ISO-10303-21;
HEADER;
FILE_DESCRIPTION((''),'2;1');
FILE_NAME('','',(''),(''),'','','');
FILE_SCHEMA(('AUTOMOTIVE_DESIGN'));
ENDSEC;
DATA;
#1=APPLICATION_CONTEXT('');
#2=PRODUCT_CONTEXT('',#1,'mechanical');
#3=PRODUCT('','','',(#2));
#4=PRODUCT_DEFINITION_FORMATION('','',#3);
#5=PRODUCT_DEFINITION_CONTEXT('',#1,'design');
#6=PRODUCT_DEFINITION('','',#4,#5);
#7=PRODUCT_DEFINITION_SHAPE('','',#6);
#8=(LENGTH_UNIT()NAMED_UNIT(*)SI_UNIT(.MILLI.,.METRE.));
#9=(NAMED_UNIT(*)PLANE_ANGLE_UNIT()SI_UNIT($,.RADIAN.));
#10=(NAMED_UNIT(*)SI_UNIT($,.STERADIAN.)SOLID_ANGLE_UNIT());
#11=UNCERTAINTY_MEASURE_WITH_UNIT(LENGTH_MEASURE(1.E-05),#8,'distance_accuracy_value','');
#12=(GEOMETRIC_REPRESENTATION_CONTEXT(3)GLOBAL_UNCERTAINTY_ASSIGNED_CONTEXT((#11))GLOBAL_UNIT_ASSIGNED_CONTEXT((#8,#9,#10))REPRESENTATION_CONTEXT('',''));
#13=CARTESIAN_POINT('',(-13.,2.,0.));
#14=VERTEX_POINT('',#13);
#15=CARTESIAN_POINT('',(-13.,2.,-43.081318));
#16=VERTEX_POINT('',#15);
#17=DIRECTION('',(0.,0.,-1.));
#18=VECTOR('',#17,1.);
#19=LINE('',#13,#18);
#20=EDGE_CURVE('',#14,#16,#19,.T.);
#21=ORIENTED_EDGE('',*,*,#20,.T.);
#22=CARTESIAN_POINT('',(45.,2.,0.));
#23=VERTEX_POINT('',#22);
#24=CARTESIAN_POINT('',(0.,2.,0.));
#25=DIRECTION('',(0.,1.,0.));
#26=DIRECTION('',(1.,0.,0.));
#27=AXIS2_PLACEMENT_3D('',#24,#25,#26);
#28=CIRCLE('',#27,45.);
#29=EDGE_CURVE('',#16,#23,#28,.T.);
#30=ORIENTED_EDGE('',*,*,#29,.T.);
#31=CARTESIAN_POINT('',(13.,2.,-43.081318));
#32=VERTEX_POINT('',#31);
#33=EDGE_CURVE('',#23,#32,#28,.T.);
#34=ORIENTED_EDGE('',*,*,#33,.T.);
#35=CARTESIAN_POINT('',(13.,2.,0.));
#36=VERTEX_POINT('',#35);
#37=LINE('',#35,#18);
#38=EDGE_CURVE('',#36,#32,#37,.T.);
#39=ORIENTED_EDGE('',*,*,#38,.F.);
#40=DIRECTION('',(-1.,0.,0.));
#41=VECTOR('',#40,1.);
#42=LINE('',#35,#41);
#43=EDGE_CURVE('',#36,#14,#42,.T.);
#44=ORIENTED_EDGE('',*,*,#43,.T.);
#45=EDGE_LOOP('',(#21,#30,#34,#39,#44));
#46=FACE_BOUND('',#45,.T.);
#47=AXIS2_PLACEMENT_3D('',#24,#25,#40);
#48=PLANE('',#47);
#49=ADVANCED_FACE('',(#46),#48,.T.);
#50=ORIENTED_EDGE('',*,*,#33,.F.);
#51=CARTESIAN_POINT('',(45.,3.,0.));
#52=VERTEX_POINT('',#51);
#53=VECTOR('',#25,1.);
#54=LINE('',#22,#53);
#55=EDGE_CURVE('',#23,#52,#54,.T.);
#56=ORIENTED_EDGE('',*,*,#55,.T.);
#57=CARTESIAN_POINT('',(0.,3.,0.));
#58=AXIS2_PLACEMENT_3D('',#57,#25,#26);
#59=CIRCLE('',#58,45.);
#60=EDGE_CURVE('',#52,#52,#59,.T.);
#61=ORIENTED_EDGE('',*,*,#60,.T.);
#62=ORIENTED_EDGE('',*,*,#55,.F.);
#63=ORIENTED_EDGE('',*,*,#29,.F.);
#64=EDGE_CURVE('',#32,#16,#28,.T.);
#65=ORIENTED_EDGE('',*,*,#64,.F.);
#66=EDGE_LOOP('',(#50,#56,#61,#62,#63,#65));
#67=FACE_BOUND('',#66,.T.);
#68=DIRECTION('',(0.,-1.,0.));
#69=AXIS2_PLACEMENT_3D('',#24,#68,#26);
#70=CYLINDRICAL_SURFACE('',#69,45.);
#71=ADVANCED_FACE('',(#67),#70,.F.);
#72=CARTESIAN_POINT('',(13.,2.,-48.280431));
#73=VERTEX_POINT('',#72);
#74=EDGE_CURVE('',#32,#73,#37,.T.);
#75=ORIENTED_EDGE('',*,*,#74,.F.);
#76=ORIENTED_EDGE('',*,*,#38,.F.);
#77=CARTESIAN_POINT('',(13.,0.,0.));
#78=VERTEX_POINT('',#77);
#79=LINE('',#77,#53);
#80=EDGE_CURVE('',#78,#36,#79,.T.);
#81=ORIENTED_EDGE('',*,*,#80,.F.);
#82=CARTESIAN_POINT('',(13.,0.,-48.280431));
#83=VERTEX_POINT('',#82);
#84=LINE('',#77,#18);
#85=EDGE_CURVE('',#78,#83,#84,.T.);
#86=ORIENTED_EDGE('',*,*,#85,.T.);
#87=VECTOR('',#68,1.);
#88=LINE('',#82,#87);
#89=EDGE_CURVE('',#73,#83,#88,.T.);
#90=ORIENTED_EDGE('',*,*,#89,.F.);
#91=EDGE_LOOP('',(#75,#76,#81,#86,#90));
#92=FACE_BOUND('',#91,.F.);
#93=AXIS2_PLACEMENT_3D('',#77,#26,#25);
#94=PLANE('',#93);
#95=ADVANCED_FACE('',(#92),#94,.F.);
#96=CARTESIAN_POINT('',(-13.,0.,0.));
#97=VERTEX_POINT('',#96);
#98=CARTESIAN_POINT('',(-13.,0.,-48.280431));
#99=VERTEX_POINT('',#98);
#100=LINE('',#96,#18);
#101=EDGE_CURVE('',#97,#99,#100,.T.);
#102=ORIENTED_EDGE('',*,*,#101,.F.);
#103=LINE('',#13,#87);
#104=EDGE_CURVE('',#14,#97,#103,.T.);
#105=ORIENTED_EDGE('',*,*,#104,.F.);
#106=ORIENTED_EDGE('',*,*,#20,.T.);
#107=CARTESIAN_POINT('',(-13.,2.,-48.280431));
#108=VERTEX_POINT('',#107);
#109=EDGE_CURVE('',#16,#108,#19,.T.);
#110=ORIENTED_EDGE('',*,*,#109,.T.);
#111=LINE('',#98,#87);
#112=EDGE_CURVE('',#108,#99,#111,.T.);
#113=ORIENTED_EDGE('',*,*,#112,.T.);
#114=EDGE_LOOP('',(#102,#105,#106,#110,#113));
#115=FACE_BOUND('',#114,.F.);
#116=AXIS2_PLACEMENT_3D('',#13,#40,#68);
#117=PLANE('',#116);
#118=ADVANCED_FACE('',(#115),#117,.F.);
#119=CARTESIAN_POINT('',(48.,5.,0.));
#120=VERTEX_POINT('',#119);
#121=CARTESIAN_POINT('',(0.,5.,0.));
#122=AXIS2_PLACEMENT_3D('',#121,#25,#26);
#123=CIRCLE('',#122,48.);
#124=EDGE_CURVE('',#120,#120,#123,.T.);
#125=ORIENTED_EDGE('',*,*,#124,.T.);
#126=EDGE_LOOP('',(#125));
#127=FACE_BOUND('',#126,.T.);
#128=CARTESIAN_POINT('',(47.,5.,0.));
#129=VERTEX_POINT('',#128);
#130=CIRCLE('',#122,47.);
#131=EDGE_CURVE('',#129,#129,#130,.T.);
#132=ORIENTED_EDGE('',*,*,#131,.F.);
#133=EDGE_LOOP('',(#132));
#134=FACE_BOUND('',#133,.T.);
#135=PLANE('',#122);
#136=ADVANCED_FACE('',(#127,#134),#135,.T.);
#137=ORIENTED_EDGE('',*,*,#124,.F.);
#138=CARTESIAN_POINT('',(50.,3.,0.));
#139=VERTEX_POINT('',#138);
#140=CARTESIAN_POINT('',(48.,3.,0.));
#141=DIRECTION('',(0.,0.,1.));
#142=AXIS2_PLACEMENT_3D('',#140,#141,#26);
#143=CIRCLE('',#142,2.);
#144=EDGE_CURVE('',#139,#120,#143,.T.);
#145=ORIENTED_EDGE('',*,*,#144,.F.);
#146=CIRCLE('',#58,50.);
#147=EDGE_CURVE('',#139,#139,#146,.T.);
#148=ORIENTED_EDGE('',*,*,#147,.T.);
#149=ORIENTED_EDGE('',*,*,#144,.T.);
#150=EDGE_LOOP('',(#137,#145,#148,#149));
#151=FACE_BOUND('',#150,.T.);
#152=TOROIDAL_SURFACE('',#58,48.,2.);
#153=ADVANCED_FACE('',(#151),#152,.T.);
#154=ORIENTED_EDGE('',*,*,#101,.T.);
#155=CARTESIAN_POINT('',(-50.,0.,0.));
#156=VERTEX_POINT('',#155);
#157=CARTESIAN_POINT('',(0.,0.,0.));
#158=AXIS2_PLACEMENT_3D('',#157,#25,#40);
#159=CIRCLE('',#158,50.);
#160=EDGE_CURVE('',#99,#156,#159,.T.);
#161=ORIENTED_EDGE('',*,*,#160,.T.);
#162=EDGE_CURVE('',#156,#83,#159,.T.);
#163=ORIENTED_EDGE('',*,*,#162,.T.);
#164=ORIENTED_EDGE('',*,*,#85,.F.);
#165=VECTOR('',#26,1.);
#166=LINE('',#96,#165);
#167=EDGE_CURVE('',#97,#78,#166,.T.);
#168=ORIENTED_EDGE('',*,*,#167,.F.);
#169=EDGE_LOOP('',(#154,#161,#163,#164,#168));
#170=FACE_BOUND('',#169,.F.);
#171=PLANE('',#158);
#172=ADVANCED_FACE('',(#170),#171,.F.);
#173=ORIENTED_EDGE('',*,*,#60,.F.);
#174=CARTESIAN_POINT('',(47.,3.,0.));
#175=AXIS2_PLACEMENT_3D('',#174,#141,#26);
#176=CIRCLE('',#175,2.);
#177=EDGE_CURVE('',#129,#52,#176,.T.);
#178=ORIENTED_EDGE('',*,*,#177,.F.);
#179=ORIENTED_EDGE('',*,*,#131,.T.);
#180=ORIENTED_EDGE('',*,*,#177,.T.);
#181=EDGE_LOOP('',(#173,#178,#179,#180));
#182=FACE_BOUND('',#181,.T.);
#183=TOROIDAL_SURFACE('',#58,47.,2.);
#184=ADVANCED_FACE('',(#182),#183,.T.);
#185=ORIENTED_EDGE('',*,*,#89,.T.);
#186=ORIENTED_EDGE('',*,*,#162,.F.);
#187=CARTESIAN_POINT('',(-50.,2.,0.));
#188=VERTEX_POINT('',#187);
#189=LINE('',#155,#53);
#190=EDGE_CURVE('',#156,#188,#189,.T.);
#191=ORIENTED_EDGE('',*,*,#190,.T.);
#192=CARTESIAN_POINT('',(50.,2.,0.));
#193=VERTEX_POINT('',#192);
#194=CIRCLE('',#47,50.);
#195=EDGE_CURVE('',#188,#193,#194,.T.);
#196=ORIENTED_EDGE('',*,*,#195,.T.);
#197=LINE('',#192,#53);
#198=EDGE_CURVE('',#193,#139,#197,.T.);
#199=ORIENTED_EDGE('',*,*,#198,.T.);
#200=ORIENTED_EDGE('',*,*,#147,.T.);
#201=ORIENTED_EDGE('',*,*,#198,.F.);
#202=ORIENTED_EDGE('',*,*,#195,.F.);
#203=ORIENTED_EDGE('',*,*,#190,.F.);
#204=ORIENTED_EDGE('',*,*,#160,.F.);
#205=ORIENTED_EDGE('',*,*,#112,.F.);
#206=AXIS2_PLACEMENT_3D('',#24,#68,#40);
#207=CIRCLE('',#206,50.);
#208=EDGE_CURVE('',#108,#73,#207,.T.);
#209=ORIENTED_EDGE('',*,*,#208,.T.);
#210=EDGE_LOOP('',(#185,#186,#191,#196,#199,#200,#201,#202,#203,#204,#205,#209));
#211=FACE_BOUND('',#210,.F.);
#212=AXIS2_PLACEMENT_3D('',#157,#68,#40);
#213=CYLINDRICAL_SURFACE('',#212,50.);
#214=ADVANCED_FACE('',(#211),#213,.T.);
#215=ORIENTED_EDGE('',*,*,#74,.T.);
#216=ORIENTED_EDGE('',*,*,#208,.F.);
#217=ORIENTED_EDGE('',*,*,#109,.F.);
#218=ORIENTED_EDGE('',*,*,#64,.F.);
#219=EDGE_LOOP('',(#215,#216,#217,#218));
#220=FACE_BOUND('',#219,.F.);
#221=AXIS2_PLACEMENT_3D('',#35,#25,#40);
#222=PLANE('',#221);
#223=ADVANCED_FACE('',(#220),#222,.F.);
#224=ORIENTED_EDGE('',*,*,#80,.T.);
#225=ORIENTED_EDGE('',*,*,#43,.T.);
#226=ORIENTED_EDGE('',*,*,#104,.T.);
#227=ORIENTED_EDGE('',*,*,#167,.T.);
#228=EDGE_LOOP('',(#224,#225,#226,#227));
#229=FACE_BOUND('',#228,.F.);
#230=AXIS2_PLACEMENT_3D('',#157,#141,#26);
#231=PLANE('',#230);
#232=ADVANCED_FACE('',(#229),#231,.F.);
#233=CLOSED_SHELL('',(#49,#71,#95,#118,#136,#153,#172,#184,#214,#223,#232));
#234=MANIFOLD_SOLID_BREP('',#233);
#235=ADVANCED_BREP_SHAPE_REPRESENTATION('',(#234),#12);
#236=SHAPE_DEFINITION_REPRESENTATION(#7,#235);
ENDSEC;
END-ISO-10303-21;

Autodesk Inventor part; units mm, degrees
ref_plane "YZ Plane" through (0, 0, 0) normal (1, 0, 0) x (0, 1, 0)
ref_plane "XZ Plane" through (0, 0, 0) normal (0, 1, 0) x (-1, 0, 0)
ref_plane "XY Plane" through (0, 0, 0) normal (0, 0, 1) x (1, 0, 0)
sketch "Sketch1" plane through (0, 0, 0) normal (0, 1, 0) x (-1, 0, 0)
  circle A0 centre (0, 0) radius 50
  dimension "d0" = 100
extrude "Extrusion1" add sketch "Sketch1" along normal blind 2
sketch "Sketch2" plane through (0, 2, 0) normal (0, 1, 0) x (1, 0, 0)
  circle A0 centre (0, 0) radius 50 projected
  circle A1 centre (0, 0) radius 45
  dimension "d3" = 5
extrude "Extrusion2" add sketch "Sketch2" along normal blind 3
fillet "Fillet1" radius 2 2 edges at (-45, 5, 0) (-50, 5, 0)
sketch "Sketch3" plane through (0, 0, 0) normal (0, 0, 1) x (1, 0, 0)
  line L0 (-50, 0) -> (50, 0) projected
  line L1 (0, 0) -> (-13, 0)
  line L2 (-13, 0) -> (13, 0)
  line L3 (13, 0) -> (13, 2)
  line L4 (13, 2) -> (-13, 2)
  line L5 (-13, 2) -> (-13, 0)
  dimension "d7" = 13
  dimension "d8" = 26
  dimension "d9" = 2
extrude "Extrusion3" cut sketch "Sketch3" against normal through all
equation "\"d7\" = 0.5 * d8"
properties part number "mug_base"
